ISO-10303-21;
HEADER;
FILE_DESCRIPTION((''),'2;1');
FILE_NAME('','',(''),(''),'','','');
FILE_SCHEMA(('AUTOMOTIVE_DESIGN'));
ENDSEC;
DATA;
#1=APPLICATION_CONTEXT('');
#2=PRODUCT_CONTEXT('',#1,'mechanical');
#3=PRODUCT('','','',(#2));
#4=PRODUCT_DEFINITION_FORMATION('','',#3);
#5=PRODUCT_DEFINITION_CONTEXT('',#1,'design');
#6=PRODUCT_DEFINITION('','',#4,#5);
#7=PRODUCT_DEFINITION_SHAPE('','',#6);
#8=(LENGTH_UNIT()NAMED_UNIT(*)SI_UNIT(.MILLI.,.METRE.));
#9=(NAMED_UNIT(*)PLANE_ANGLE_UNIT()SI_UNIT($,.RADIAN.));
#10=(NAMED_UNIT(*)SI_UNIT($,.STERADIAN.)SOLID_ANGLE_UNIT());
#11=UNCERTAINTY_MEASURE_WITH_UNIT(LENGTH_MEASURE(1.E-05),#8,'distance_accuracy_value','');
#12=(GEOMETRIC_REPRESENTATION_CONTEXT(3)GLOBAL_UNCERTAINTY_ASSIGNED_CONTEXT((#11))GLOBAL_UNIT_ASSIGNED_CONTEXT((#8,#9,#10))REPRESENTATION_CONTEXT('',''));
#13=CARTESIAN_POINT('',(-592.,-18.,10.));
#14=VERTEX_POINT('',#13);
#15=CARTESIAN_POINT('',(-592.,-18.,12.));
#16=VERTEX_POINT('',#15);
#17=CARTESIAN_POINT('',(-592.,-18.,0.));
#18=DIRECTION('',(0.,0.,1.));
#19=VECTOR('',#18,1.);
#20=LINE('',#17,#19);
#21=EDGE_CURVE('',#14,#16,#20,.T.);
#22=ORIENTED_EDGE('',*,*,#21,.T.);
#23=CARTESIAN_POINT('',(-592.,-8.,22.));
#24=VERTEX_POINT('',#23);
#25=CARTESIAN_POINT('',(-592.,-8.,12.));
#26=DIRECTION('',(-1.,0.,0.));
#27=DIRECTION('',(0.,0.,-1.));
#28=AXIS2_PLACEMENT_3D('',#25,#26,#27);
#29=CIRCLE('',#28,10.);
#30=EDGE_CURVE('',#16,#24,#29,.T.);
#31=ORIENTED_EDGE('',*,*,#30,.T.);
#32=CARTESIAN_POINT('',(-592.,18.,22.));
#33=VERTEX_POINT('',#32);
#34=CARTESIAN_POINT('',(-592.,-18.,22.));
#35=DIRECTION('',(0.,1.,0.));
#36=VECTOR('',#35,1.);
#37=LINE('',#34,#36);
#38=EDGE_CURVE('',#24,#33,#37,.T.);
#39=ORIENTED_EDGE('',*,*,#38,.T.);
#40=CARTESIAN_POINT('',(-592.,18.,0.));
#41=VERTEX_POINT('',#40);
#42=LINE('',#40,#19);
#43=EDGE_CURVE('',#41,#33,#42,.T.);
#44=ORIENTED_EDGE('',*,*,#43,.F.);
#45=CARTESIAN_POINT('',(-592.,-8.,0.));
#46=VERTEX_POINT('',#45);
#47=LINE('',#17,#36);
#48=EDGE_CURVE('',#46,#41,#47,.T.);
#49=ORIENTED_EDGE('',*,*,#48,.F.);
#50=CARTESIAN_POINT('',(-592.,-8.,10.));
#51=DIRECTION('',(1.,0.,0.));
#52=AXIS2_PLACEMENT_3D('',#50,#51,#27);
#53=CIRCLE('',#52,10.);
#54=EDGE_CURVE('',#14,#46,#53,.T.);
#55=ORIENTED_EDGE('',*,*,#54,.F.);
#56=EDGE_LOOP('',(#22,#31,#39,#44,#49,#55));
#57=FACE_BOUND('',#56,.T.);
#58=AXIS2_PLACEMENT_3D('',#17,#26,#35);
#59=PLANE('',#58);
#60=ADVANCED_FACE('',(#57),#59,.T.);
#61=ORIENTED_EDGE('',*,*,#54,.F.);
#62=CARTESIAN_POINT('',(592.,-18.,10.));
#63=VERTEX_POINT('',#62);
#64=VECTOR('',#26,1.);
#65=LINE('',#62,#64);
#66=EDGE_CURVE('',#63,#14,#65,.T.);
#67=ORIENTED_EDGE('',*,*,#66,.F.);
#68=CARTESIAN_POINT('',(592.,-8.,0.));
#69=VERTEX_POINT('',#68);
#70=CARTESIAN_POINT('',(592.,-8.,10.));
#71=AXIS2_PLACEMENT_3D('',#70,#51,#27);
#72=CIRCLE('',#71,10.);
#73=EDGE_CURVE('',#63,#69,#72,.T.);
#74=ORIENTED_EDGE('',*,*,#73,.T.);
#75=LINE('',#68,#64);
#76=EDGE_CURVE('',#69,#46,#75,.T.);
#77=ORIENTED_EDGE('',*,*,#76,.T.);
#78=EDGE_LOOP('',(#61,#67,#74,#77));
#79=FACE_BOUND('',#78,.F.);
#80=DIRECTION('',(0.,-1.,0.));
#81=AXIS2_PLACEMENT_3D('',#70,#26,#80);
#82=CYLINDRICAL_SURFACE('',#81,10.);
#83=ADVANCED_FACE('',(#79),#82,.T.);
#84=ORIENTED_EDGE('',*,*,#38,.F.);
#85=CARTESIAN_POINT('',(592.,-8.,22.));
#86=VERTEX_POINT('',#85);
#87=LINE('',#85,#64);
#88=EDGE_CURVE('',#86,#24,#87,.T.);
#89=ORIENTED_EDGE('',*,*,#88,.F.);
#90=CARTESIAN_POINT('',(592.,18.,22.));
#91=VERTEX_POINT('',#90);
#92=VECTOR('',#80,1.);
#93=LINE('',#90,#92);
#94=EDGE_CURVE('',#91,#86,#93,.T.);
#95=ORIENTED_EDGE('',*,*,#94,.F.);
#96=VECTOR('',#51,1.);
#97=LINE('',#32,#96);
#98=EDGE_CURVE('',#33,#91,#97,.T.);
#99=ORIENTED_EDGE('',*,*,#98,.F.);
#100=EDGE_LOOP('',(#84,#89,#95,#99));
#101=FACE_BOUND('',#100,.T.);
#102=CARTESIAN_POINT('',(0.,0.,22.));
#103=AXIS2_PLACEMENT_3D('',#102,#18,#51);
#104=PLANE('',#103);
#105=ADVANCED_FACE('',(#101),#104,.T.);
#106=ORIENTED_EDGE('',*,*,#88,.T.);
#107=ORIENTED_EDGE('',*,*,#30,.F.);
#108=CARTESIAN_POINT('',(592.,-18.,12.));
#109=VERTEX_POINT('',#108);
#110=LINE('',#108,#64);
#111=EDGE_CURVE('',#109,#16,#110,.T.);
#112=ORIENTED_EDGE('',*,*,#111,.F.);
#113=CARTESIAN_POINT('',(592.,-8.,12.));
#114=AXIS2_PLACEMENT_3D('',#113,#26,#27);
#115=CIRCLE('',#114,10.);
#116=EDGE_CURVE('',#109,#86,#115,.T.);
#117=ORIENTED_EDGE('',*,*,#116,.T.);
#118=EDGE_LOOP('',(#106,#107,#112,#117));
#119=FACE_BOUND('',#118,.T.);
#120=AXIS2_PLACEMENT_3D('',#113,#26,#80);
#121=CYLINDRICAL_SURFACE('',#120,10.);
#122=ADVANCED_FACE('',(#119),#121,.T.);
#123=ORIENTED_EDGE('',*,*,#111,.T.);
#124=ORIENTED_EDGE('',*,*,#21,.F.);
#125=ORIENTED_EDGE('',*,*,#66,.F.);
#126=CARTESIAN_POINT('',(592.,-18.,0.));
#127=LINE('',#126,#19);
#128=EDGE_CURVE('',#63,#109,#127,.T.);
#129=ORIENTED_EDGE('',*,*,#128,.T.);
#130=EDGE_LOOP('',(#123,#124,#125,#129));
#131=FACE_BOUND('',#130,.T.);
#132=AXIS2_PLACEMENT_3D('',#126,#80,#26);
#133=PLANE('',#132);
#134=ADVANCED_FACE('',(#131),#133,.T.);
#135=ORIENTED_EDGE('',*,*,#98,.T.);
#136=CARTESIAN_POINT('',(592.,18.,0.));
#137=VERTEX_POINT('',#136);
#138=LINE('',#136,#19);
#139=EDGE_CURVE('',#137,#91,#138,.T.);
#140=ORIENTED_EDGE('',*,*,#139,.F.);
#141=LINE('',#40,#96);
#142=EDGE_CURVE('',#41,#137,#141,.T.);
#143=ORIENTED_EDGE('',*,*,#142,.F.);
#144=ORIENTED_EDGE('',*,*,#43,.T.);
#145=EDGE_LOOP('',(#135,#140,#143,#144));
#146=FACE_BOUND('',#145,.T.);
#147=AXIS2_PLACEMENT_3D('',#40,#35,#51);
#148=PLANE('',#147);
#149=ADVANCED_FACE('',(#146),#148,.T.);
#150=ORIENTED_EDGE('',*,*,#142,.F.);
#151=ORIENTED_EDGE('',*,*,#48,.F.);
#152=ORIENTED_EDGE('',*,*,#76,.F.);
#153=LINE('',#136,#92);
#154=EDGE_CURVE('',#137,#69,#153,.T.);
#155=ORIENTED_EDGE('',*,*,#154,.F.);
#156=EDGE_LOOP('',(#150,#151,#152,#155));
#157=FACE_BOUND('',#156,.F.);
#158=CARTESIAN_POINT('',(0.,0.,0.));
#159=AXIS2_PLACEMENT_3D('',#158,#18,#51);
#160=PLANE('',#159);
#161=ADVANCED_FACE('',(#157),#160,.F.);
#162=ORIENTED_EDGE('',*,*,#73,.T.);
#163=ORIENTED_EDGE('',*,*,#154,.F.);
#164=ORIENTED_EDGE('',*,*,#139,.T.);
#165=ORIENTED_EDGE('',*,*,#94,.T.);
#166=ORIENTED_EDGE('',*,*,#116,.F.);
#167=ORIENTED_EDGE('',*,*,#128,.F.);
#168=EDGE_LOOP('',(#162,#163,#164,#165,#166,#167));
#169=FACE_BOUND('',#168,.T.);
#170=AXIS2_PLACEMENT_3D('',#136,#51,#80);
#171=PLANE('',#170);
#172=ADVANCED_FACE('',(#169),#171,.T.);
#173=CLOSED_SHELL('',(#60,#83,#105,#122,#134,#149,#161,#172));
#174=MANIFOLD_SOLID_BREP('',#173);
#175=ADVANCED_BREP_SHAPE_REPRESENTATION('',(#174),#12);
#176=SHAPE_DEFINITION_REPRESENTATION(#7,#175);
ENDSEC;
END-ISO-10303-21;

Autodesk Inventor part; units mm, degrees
ref_plane "YZ Plane" through (0, 0, 0) normal (1, 0, 0) x (0, 1, 0)
ref_plane "XZ Plane" through (0, 0, 0) normal (0, 1, 0) x (-1, 0, 0)
ref_plane "XY Plane" through (0, 0, 0) normal (0, 0, 1) x (1, 0, 0)
sketch "Sketch1" plane through (0, 0, 0) normal (0, 0, 1) x (1, 0, 0)
  line L0 (-592, 18) -> (592, 18)
  line L1 (592, 18) -> (592, -18)
  line L2 (592, -18) -> (-592, -18)
  line L3 (-592, -18) -> (-592, 18)
  line L4 (-592, 18) -> (592, -18) construction
  line L5 (592, 18) -> (-592, -18) construction
  point P0 (0, 0)
  dimension "d0" = 36
  dimension "d1" = 1184
extrude "Extrusion1" add sketch "Sketch1" along normal blind 22
fillet "Fillet1" radius 10 1 edges at (0, -18, 22)
fillet "Fillet2" radius 10 1 edges at (0, -18, 0)
properties part number "Light tube 118.4cm"
